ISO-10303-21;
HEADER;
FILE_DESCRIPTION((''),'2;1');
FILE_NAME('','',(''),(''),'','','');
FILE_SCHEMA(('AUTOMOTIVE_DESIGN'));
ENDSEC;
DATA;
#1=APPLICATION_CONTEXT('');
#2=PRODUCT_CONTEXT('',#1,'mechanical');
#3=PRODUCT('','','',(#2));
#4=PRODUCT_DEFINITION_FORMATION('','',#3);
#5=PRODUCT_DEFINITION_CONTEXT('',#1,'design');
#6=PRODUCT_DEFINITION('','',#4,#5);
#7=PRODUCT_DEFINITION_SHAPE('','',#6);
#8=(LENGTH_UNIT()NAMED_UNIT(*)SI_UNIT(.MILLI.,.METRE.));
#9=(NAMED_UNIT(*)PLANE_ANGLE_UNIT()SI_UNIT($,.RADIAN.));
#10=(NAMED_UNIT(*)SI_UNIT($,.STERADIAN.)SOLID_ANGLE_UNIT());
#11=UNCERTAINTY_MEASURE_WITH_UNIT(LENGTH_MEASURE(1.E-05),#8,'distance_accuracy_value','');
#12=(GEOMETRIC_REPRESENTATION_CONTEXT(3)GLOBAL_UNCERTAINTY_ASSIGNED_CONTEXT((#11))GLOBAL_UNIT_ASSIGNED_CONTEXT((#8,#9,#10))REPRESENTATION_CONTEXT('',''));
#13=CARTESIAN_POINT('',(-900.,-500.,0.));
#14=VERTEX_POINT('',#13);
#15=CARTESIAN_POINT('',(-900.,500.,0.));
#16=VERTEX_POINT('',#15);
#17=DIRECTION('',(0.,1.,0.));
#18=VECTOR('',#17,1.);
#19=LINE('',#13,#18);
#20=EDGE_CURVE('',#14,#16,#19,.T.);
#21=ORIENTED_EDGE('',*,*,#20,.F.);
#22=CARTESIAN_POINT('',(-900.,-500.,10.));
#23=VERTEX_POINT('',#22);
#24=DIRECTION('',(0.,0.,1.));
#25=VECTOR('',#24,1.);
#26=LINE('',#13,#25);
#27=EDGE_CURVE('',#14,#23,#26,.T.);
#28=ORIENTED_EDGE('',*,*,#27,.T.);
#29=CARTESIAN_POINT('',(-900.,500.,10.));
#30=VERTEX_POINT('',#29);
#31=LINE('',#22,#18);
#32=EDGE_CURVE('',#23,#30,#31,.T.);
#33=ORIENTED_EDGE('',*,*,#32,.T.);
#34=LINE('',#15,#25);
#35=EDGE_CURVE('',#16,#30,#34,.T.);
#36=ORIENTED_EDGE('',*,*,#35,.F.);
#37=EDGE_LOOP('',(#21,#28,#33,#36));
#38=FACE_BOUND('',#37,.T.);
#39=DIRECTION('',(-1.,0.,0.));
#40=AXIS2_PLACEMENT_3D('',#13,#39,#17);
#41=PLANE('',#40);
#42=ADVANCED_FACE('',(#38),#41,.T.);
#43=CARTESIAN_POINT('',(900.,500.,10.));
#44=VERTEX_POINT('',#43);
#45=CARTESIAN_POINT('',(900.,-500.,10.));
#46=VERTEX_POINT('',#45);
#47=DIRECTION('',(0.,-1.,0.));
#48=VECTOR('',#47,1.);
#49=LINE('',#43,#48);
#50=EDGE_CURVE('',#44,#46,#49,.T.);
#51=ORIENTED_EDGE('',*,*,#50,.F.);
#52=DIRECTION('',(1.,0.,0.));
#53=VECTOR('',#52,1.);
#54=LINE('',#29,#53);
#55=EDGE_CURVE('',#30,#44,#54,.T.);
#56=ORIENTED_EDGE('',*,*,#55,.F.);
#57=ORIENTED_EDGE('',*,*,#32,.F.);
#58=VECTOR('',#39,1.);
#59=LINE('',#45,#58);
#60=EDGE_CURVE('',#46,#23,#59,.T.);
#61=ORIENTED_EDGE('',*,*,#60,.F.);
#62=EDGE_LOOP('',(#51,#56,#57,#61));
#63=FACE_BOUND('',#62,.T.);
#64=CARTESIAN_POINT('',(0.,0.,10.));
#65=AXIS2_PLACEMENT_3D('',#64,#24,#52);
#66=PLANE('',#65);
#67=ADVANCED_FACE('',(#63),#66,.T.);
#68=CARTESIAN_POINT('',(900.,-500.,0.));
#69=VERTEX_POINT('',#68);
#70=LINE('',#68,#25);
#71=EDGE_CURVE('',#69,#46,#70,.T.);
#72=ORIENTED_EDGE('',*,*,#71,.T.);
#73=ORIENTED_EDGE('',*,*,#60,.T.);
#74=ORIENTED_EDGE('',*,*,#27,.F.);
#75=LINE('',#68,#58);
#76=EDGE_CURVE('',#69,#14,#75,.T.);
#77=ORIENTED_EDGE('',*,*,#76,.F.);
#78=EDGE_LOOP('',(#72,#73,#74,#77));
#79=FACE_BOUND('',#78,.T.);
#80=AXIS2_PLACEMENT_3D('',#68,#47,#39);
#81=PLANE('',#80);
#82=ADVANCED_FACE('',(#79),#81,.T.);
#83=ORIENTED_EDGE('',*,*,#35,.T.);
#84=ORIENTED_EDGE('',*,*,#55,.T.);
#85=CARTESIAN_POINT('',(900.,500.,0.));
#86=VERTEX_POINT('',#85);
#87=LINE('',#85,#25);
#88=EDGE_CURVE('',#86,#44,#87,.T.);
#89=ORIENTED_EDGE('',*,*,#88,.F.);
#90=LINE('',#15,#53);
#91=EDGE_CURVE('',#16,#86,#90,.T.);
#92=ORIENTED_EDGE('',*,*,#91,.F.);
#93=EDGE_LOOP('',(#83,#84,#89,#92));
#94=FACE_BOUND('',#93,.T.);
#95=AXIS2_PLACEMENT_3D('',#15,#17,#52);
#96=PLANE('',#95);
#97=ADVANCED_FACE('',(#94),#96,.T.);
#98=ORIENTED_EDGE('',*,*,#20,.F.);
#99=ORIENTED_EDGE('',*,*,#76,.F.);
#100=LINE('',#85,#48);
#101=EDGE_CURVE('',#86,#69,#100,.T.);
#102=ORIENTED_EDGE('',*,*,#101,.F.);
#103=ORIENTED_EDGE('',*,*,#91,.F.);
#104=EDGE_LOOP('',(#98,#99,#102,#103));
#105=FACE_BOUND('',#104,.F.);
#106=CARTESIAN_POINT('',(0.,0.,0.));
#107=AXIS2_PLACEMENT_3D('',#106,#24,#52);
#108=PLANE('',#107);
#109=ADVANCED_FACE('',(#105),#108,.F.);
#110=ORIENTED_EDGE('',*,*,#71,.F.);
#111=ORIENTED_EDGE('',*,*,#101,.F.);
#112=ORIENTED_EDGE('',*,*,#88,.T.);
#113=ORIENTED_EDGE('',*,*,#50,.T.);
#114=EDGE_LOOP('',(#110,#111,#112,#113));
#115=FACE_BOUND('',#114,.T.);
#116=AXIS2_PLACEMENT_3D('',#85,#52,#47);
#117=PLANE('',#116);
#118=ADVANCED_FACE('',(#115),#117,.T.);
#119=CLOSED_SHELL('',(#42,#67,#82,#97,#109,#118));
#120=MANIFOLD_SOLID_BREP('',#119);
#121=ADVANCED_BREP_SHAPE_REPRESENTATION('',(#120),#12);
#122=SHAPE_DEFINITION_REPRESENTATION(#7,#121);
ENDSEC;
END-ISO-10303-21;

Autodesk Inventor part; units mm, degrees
ref_plane "YZ Plane" through (0, 0, 0) normal (1, 0, 0) x (0, 1, 0)
ref_plane "XZ Plane" through (0, 0, 0) normal (0, 1, 0) x (-1, 0, 0)
ref_plane "XY Plane" through (0, 0, 0) normal (0, 0, 1) x (1, 0, 0)
sketch "Sketch1" plane through (0, 0, 0) normal (0, 0, 1) x (1, 0, 0)
  line L0 (-900, 500) -> (900, 500)
  line L1 (900, 500) -> (900, -500)
  line L2 (900, -500) -> (-900, -500)
  line L3 (-900, -500) -> (-900, 500)
  line L4 (-900, 500) -> (900, -500) construction
  line L5 (900, 500) -> (-900, -500) construction
  point P0 (0, 0)
  dimension "d0" = 1800
  dimension "d1" = 1000
extrude "Extrusion1" add sketch "Sketch1" along normal blind 10
properties part number "Wall"
